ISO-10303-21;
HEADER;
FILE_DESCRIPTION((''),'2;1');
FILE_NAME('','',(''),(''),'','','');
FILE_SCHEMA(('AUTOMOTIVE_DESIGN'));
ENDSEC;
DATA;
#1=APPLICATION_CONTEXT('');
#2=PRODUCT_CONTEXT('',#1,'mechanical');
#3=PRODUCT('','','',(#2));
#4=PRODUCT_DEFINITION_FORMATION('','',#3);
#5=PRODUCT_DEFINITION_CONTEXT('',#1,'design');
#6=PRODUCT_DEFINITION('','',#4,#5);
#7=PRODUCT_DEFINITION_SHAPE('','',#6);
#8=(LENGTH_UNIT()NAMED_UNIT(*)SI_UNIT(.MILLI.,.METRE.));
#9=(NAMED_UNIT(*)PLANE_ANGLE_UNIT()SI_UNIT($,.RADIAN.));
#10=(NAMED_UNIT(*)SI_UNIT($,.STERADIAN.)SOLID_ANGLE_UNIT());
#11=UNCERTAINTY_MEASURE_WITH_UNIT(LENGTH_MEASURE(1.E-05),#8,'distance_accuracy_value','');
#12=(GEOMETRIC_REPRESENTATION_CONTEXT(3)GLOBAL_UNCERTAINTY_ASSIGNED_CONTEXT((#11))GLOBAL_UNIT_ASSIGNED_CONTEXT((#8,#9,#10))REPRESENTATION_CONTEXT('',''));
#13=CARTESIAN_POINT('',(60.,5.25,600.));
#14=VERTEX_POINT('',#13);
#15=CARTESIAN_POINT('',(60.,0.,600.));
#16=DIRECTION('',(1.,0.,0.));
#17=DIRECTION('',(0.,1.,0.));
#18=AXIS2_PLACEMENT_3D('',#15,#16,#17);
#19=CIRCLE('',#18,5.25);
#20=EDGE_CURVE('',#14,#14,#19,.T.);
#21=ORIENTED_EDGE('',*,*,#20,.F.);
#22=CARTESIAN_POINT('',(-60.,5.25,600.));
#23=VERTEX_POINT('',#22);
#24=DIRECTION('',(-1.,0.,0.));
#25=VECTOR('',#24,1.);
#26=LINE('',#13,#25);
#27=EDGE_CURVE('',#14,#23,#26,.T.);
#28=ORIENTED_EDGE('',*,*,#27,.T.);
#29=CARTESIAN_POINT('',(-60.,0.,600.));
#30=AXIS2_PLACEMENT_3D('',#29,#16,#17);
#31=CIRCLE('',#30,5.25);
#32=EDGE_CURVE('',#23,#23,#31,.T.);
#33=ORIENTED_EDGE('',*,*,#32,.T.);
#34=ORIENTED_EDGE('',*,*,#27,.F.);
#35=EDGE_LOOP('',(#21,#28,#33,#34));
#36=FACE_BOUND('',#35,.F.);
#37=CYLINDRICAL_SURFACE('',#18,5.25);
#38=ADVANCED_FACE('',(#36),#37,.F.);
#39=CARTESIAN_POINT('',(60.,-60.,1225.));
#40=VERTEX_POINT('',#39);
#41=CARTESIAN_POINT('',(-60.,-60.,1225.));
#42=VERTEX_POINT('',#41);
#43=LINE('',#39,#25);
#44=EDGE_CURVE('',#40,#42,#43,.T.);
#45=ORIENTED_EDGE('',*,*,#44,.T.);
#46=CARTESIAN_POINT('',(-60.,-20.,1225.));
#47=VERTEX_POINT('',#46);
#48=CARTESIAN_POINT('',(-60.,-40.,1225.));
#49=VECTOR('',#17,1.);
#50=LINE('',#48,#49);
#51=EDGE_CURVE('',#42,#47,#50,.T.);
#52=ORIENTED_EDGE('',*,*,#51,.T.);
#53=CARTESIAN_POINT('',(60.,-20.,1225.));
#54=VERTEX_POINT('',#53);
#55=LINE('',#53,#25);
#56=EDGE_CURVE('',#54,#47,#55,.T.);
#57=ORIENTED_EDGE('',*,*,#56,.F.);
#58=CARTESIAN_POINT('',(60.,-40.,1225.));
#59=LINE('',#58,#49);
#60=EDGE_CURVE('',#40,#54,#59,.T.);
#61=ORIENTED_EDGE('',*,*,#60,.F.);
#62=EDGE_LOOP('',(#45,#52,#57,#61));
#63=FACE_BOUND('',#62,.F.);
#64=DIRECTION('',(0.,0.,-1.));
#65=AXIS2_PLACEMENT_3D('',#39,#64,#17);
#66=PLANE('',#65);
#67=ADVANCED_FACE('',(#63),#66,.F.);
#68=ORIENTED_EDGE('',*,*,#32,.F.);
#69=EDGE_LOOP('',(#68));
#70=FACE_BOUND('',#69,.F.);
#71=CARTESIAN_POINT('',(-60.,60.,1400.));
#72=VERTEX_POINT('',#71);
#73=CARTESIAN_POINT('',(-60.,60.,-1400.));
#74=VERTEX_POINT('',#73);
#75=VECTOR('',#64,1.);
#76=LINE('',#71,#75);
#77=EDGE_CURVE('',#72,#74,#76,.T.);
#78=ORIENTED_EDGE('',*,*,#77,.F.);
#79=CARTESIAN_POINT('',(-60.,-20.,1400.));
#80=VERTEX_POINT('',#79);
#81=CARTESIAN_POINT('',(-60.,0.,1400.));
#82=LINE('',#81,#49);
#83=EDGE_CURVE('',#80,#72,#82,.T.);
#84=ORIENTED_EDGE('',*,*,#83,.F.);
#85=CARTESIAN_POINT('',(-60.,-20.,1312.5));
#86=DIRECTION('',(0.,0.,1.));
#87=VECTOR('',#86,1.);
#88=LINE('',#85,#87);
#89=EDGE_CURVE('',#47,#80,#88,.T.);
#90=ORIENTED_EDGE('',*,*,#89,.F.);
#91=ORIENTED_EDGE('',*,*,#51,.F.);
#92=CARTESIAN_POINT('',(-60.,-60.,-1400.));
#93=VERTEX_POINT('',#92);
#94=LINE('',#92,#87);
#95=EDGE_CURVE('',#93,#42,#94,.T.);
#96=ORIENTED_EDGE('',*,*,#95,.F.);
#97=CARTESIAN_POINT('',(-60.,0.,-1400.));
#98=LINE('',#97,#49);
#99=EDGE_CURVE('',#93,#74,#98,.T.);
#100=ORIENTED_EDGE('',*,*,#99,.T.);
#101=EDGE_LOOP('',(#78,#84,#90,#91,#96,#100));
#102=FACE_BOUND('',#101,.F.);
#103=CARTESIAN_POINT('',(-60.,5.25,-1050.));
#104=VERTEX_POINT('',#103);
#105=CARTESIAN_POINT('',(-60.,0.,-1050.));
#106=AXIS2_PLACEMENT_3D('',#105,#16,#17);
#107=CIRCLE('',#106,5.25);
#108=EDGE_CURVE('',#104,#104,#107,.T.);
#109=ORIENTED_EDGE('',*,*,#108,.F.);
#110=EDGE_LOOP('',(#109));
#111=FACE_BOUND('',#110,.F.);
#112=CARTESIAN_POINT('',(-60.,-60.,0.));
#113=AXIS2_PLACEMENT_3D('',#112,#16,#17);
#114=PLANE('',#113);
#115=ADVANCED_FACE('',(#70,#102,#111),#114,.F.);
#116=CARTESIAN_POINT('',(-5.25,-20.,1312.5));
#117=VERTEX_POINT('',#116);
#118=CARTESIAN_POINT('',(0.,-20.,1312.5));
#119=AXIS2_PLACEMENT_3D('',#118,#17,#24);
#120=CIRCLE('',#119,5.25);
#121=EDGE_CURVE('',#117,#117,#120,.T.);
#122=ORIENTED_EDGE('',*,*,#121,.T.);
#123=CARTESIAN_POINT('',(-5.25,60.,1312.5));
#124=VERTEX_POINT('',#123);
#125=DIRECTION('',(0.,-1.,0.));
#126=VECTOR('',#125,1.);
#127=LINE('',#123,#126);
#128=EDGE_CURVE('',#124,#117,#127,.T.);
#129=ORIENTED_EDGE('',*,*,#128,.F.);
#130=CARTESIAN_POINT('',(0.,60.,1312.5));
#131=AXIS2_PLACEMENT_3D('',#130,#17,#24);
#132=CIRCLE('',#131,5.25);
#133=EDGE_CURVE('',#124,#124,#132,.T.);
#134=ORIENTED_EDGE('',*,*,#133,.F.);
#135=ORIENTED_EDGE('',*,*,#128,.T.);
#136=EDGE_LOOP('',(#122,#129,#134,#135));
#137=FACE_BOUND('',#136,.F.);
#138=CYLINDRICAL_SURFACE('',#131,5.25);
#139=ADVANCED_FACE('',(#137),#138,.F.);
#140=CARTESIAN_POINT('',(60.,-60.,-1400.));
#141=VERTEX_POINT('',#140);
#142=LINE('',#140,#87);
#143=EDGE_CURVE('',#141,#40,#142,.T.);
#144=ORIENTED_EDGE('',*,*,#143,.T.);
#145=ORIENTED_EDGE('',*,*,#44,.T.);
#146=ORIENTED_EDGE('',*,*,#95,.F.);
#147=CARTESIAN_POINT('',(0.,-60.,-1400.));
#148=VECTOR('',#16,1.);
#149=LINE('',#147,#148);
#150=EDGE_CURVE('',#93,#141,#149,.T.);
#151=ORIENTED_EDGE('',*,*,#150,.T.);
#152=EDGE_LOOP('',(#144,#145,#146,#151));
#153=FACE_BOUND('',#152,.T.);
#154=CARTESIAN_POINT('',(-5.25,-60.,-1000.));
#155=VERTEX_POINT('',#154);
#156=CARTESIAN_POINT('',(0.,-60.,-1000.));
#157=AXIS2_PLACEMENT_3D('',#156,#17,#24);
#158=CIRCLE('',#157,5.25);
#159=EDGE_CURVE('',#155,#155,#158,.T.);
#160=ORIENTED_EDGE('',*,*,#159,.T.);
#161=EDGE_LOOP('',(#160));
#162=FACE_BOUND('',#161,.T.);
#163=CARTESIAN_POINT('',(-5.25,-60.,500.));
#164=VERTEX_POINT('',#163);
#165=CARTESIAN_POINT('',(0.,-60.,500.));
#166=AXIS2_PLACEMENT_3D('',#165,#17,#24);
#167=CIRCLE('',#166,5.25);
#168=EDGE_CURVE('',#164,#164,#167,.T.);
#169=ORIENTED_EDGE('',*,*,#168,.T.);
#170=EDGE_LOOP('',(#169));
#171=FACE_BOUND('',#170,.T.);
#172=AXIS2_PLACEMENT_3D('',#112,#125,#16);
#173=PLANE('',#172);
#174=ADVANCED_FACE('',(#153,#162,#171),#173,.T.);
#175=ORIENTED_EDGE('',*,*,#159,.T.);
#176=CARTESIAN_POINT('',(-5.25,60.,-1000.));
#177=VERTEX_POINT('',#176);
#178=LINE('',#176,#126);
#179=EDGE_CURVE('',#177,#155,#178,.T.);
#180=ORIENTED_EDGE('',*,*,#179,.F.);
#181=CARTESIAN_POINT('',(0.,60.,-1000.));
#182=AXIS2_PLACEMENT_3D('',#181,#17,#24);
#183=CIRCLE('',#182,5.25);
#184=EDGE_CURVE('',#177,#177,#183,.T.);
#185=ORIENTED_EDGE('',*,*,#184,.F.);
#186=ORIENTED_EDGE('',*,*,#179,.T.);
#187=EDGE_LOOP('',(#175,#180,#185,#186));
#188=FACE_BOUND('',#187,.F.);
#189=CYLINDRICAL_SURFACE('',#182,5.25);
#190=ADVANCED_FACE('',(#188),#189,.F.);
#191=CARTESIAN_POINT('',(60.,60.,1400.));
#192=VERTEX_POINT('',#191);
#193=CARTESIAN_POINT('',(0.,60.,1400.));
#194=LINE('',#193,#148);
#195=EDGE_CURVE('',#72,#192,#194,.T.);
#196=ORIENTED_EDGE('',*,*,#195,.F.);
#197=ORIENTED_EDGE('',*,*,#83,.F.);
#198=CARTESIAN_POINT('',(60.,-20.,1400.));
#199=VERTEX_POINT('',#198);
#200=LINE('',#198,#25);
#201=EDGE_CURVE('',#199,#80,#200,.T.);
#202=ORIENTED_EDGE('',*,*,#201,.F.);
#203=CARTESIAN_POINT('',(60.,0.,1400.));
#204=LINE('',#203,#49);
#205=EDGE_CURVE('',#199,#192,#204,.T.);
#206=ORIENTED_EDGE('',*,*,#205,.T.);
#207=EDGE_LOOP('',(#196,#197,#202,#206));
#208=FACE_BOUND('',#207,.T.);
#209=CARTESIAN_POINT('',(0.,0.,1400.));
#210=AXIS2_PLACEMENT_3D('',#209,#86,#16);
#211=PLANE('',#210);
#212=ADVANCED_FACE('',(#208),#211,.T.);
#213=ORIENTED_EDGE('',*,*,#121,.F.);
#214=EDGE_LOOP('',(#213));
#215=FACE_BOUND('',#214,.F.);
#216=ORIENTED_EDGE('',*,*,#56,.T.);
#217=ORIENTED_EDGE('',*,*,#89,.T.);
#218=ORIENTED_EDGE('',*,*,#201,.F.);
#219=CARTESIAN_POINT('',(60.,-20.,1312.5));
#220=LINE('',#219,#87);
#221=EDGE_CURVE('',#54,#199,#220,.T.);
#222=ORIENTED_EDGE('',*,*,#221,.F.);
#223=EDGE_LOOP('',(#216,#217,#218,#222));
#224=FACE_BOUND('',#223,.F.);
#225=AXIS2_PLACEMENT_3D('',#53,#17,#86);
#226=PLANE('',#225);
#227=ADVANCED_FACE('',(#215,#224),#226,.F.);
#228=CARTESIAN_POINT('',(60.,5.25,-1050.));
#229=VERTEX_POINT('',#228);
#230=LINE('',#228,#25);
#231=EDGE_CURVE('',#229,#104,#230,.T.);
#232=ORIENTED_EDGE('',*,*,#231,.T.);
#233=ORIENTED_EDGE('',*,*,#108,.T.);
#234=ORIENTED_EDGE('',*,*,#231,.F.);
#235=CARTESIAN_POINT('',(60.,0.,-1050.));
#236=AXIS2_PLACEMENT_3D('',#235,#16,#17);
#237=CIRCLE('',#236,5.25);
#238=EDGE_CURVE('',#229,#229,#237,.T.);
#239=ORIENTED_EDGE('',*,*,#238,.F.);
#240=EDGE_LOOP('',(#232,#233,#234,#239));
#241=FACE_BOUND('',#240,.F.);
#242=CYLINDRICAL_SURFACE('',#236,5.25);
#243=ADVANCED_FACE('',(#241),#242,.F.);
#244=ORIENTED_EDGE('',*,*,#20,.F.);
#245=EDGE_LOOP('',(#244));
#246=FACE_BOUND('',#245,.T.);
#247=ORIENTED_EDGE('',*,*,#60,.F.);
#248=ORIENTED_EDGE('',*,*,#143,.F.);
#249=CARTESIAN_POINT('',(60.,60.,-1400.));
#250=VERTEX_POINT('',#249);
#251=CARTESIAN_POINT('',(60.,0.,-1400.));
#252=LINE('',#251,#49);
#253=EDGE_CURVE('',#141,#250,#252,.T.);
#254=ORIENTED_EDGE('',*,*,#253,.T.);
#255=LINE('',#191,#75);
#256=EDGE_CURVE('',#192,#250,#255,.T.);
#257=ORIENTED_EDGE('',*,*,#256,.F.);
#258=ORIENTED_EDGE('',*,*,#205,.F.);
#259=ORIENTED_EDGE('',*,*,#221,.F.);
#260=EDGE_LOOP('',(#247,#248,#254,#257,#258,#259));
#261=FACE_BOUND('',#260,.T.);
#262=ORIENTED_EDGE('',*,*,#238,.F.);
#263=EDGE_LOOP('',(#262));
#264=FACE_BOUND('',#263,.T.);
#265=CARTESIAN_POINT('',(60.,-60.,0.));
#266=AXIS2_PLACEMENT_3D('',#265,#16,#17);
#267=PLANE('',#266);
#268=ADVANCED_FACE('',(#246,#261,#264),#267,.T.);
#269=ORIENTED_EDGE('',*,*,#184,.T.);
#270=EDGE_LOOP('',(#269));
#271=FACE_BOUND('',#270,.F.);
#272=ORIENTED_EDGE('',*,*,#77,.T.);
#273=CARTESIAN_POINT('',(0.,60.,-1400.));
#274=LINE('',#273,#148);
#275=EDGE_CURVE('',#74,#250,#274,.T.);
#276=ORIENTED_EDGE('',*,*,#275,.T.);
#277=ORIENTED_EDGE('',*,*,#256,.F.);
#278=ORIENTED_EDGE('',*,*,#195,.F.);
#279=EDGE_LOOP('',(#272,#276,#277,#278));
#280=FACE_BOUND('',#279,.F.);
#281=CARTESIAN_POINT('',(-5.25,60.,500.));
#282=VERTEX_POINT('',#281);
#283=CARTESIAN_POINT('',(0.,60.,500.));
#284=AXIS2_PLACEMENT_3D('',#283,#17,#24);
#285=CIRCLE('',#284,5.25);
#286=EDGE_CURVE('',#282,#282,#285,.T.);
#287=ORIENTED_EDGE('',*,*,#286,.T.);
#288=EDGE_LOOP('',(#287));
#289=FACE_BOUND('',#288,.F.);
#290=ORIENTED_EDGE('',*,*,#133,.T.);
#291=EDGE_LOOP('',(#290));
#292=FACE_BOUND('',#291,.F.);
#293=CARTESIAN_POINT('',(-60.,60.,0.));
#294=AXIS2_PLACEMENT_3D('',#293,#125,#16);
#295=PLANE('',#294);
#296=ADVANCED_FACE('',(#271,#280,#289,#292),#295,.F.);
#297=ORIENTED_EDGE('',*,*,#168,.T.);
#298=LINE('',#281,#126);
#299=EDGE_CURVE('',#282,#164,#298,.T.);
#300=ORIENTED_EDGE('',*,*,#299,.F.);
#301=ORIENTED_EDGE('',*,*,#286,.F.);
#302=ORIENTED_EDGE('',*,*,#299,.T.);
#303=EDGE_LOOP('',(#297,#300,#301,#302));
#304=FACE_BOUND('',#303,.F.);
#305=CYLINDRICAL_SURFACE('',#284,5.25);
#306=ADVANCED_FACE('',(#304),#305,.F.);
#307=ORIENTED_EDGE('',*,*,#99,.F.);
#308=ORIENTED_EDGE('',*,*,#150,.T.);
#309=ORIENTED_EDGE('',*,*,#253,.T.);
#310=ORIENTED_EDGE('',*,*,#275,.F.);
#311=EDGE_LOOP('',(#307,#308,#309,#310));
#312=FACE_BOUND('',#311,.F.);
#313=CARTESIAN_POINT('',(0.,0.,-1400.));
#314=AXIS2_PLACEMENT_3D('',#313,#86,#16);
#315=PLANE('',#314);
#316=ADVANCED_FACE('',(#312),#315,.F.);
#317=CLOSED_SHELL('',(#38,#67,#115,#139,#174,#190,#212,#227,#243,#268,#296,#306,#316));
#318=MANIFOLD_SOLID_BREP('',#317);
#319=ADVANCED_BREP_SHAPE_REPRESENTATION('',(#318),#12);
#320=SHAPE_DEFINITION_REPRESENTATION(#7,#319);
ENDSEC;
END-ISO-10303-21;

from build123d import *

# Parameters (mm, degrees)
F0_W     = 120
F0_H     = 120
F1_DEPTH = 1400
F2_W     = 40
F2_H     = 175
F3_DEPTH = 120
F4_R     = 5.25
F5_DEPTH = 120.001
F6_R     = 5.25
F7_DEPTH = 120.001


with BuildPart() as f1:
    # F0 (on Top) → F1 (new body, symmetric)
    with BuildSketch(Plane.XY):
        Rectangle(F0_W, F0_H)
    extrude(amount=F1_DEPTH, both=True)

    # F2 (on face) → F3 (cut, through all)
    with BuildSketch(Plane.YZ.offset(60)):
        with Locations((-40, 1312.5)):
            Rectangle(F2_W, F2_H)
    extrude(amount=-F3_DEPTH, mode=Mode.SUBTRACT)

    # F4 (on face) → F5 (cut, through all)
    with BuildSketch(Plane(origin=(0, 60, 0), x_dir=(-1, 0, 0), z_dir=(0, 1, 0))):
        with Locations((0, 1312.5)):
            Circle(F4_R)
        with Locations((0, -1000)):
            Circle(F4_R)
        with Locations((0, 500)):
            Circle(F4_R)
    extrude(amount=-F5_DEPTH, mode=Mode.SUBTRACT)

    # F6 (on face) → F7 (cut, through all)
    with BuildSketch(Plane.YZ.offset(60)):
        with Locations((0, -1050)):
            Circle(F6_R)
        with Locations((0, 600)):
            Circle(F6_R)
    extrude(amount=-F7_DEPTH, mode=Mode.SUBTRACT)


solid = f1.part
